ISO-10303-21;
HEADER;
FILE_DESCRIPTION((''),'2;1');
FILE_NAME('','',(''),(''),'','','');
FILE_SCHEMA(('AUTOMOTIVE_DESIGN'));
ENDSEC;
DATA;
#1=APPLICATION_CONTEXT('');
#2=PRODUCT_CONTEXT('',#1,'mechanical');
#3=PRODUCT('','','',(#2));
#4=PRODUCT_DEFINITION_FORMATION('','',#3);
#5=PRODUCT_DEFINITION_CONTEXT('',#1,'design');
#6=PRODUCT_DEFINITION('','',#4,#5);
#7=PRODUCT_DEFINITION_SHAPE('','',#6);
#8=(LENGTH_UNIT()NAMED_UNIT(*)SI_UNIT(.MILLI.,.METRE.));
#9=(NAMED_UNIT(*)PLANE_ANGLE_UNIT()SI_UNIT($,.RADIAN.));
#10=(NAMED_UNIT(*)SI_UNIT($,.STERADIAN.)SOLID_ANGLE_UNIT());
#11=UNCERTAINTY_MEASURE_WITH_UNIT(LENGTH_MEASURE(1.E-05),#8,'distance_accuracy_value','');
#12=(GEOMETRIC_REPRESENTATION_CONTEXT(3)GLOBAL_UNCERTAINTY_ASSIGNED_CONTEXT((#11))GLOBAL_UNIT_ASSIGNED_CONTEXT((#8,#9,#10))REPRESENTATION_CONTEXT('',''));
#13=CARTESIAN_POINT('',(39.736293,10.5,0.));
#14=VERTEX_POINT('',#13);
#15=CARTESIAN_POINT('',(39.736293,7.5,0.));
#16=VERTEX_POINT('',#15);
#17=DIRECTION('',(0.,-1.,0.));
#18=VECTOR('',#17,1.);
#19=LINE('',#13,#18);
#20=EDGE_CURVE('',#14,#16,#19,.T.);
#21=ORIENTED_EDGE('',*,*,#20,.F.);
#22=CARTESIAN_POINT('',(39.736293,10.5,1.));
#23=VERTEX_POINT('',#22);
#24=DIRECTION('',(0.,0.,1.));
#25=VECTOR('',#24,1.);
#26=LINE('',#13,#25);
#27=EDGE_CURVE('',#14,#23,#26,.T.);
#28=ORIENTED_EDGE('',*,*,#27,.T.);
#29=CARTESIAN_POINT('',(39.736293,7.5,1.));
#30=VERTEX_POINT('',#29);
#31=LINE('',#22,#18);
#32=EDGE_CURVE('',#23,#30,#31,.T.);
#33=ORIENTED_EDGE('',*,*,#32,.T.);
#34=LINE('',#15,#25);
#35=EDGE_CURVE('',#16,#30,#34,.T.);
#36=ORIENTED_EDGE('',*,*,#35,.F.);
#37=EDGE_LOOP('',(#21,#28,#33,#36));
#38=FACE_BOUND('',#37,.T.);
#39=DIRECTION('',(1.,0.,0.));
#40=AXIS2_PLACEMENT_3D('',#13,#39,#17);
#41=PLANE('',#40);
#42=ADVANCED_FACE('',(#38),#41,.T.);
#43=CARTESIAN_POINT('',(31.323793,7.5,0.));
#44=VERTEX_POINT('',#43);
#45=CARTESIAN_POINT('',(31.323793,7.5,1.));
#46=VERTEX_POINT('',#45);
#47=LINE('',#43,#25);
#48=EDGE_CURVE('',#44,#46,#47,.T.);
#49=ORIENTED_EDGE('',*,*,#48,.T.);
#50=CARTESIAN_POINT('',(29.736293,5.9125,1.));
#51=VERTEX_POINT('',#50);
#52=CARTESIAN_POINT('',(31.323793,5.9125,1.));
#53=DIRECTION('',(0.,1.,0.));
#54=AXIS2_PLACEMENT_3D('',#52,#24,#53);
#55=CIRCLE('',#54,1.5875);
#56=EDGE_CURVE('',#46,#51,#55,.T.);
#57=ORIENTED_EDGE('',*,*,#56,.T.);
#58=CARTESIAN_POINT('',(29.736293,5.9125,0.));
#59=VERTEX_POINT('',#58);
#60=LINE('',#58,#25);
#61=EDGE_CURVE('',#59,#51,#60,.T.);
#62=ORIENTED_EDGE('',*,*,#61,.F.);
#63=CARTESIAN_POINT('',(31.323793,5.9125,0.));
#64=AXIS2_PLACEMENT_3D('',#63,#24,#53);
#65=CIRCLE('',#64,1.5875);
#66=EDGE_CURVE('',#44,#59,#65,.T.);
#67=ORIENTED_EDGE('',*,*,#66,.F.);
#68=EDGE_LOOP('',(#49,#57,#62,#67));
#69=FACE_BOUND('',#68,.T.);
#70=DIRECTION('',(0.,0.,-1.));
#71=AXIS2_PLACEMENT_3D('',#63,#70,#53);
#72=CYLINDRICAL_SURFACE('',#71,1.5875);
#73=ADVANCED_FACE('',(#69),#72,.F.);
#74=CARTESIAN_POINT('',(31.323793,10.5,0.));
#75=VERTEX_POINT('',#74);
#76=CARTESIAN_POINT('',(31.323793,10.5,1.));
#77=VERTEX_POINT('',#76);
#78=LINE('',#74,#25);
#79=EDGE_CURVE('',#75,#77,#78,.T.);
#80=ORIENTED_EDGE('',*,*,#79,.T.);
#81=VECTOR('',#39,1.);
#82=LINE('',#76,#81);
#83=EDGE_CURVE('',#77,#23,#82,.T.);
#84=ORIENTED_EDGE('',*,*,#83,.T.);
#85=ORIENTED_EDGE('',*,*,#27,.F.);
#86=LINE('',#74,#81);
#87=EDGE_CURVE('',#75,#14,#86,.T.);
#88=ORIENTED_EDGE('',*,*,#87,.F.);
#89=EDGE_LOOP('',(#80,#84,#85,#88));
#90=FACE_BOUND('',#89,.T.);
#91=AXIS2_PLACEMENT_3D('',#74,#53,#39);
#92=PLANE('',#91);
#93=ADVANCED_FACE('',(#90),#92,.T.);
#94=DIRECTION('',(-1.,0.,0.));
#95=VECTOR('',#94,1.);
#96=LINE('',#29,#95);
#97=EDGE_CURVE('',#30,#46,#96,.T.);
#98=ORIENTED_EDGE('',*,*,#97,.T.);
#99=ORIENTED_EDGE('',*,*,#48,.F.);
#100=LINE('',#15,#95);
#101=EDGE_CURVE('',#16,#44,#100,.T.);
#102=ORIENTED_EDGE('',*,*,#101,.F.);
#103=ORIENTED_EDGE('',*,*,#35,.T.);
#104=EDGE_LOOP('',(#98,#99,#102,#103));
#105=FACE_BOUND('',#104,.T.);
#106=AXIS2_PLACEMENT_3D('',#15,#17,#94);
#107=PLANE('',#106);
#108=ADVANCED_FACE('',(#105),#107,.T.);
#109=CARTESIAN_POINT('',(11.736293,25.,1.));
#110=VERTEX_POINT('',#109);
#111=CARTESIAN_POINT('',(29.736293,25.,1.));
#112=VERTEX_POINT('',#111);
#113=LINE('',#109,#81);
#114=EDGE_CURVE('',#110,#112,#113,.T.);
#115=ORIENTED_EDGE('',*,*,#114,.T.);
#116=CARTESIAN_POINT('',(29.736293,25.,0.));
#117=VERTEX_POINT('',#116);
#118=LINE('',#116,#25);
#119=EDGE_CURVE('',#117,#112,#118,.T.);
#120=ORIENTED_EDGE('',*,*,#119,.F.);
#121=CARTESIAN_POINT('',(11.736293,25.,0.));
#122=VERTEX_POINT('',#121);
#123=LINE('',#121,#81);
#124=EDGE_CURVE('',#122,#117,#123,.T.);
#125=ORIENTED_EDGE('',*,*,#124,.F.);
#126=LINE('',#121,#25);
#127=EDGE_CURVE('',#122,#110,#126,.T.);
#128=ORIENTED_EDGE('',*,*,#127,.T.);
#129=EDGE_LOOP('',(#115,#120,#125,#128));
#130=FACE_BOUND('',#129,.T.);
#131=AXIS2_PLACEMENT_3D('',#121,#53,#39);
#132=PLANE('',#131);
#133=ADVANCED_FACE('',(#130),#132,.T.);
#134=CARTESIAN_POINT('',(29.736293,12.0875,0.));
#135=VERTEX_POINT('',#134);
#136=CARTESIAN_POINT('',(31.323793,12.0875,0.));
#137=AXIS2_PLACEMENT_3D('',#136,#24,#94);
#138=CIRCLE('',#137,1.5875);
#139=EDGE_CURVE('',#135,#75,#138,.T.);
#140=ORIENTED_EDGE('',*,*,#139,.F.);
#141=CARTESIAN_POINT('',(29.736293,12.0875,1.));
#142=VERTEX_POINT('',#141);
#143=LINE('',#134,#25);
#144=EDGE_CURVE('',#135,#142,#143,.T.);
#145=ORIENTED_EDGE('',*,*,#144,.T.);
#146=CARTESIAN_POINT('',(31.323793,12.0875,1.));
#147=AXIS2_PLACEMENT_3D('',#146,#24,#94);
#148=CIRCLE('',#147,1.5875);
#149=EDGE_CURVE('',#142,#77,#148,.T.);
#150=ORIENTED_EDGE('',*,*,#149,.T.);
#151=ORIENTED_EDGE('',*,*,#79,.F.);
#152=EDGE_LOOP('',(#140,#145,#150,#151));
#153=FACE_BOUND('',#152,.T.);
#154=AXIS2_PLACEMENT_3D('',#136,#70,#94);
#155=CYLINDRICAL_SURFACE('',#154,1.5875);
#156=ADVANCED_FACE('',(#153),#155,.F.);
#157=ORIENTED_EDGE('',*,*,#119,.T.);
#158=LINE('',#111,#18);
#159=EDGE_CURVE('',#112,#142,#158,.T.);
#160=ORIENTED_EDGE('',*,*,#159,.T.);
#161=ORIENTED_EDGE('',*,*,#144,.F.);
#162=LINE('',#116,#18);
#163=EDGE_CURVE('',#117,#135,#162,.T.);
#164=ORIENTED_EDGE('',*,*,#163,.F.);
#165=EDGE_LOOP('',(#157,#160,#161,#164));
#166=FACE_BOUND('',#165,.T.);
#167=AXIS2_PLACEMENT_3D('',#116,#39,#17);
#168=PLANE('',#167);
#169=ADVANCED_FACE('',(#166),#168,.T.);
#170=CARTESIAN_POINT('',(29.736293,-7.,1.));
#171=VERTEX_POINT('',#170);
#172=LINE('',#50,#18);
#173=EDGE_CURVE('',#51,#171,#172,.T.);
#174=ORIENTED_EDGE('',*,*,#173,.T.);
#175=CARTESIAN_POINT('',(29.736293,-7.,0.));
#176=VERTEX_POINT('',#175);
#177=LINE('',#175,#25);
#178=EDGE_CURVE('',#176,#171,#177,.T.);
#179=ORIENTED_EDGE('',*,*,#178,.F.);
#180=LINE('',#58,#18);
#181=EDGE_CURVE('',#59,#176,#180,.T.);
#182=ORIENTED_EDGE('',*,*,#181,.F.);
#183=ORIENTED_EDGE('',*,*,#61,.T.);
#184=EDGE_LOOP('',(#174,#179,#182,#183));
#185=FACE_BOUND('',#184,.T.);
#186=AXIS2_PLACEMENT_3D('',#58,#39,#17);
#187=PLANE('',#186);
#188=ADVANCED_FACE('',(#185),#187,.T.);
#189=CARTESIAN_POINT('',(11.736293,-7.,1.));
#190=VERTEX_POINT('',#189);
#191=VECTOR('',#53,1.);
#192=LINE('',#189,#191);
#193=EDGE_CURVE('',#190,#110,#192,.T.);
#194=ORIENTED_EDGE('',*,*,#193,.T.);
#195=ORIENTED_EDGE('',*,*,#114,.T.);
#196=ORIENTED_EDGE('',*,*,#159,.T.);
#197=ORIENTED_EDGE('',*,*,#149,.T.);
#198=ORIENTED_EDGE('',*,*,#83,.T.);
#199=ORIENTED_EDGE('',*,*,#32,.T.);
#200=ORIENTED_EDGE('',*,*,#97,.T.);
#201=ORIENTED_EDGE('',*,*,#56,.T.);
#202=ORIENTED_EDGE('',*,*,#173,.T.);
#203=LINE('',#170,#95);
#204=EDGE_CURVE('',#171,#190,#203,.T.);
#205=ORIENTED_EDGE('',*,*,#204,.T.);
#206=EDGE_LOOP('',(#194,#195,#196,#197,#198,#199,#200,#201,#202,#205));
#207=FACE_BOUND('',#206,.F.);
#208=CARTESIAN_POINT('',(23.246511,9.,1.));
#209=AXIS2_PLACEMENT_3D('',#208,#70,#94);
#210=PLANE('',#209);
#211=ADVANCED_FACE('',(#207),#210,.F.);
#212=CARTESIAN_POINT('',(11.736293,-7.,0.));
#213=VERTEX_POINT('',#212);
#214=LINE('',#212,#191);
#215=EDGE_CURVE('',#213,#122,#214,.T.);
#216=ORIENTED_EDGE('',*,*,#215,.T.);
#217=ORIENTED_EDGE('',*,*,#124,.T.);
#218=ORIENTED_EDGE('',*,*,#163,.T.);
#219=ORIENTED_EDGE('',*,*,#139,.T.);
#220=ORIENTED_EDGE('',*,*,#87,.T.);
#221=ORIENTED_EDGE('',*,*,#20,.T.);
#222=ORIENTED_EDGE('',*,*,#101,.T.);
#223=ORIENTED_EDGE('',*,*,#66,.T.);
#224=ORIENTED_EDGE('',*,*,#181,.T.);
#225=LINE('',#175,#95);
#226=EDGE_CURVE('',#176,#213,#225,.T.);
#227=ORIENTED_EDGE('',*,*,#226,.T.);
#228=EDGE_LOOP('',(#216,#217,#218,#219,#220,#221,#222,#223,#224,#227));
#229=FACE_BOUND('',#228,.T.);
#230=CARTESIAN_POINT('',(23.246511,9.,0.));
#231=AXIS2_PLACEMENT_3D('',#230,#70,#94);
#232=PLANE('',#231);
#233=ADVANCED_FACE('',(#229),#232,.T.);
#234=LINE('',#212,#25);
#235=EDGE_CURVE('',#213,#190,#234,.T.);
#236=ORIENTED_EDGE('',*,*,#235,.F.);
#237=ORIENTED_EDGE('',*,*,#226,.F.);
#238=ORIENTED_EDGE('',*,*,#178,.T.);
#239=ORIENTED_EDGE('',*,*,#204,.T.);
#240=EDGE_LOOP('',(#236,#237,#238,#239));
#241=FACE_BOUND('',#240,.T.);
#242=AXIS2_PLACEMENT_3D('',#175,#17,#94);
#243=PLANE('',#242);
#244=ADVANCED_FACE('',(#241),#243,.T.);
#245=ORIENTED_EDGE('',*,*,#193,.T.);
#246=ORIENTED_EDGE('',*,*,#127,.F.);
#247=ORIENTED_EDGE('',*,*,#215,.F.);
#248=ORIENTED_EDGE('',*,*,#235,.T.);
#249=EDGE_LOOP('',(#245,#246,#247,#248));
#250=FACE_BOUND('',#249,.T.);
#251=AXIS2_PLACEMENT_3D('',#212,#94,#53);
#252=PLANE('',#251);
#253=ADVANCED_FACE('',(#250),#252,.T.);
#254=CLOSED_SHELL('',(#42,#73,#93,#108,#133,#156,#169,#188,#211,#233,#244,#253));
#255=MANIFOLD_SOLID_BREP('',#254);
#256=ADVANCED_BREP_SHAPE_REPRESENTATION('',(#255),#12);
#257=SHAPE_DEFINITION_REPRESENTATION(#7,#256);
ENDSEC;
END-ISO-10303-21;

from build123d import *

# Parameters (mm, degrees)
BOSS_EXTRUDE1_DEPTH = 1


with BuildPart() as part:
    # Sketch1 → Boss-Extrude1 (new body)
    with BuildSketch(Plane.XY):
        with BuildLine():
            Line((29.736292646, -7), (11.736292646, -7))
            Line((11.736292646, -7), (11.736292646, 25))
            Line((11.736292646, 25), (29.736292646, 25))
            Line((29.736292646, 25), (29.736292646, 12.0875))
            ThreePointArc((29.736292646, 12.0875), (30.201260631, 10.964967985), (31.323792646, 10.5))
            Line((31.323792646, 10.5), (39.736292646, 10.5))
            Line((39.736292646, 10.5), (39.736292646, 7.5))
            Line((39.736292646, 7.5), (31.323792646, 7.5))
            ThreePointArc((31.323792646, 7.5), (30.201260631, 7.035032015), (29.736292646, 5.9125))
            Line((29.736292646, 5.9125), (29.736292646, -7))
        make_face()
    extrude(amount=BOSS_EXTRUDE1_DEPTH)


solid = part.part
